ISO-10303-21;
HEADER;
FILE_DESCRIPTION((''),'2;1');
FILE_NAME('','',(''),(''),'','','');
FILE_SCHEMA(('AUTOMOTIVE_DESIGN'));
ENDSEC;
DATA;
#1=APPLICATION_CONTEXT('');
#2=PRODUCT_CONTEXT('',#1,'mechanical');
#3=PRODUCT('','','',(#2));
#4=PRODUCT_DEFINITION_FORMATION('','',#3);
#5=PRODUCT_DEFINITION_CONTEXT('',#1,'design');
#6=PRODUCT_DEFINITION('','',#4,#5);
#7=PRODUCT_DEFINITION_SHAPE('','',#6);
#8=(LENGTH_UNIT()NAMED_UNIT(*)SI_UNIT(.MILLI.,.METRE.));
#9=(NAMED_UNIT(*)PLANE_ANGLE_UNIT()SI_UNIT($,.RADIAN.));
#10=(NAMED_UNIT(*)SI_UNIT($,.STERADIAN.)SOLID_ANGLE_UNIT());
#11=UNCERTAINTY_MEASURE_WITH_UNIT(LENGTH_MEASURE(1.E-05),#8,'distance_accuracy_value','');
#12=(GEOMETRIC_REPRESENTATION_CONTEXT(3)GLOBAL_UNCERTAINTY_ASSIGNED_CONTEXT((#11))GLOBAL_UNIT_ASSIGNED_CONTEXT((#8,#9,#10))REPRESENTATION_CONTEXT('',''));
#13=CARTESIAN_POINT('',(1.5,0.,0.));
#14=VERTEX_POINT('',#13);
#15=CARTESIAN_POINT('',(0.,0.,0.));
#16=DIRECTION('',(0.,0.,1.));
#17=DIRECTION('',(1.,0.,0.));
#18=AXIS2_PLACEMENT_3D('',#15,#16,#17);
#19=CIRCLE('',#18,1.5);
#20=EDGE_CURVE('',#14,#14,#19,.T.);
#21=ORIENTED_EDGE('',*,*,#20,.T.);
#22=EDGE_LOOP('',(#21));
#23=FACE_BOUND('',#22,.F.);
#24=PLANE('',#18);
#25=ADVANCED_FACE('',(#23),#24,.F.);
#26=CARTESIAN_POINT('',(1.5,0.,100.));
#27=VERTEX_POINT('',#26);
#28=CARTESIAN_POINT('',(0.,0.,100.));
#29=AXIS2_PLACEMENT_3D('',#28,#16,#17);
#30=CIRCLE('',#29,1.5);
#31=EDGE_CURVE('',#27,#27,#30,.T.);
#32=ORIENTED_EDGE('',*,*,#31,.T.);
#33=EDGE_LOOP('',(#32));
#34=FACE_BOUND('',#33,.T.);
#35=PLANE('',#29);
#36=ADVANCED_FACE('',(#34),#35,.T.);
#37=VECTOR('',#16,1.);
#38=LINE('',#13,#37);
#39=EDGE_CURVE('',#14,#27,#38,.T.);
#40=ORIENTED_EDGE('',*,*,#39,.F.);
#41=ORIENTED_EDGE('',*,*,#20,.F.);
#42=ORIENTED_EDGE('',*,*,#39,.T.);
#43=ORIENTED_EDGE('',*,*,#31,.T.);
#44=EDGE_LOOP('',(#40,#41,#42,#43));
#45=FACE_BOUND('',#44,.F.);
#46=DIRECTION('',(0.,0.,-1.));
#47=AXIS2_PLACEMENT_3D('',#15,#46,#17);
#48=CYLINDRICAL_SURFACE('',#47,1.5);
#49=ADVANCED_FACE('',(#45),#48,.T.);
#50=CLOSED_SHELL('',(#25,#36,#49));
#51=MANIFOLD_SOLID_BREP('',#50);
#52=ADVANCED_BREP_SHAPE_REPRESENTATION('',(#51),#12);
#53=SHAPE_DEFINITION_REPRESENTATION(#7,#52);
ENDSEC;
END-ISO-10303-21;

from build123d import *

# Parameters (mm, degrees)
SKETCH1_R           = 1.5
BOSS_EXTRUDE1_DEPTH = 100


with BuildPart() as part:
    # Sketch1 → Boss-Extrude1 (new body)
    with BuildSketch(Plane.XY):
        Circle(SKETCH1_R)
    extrude(amount=BOSS_EXTRUDE1_DEPTH)


solid = part.part
